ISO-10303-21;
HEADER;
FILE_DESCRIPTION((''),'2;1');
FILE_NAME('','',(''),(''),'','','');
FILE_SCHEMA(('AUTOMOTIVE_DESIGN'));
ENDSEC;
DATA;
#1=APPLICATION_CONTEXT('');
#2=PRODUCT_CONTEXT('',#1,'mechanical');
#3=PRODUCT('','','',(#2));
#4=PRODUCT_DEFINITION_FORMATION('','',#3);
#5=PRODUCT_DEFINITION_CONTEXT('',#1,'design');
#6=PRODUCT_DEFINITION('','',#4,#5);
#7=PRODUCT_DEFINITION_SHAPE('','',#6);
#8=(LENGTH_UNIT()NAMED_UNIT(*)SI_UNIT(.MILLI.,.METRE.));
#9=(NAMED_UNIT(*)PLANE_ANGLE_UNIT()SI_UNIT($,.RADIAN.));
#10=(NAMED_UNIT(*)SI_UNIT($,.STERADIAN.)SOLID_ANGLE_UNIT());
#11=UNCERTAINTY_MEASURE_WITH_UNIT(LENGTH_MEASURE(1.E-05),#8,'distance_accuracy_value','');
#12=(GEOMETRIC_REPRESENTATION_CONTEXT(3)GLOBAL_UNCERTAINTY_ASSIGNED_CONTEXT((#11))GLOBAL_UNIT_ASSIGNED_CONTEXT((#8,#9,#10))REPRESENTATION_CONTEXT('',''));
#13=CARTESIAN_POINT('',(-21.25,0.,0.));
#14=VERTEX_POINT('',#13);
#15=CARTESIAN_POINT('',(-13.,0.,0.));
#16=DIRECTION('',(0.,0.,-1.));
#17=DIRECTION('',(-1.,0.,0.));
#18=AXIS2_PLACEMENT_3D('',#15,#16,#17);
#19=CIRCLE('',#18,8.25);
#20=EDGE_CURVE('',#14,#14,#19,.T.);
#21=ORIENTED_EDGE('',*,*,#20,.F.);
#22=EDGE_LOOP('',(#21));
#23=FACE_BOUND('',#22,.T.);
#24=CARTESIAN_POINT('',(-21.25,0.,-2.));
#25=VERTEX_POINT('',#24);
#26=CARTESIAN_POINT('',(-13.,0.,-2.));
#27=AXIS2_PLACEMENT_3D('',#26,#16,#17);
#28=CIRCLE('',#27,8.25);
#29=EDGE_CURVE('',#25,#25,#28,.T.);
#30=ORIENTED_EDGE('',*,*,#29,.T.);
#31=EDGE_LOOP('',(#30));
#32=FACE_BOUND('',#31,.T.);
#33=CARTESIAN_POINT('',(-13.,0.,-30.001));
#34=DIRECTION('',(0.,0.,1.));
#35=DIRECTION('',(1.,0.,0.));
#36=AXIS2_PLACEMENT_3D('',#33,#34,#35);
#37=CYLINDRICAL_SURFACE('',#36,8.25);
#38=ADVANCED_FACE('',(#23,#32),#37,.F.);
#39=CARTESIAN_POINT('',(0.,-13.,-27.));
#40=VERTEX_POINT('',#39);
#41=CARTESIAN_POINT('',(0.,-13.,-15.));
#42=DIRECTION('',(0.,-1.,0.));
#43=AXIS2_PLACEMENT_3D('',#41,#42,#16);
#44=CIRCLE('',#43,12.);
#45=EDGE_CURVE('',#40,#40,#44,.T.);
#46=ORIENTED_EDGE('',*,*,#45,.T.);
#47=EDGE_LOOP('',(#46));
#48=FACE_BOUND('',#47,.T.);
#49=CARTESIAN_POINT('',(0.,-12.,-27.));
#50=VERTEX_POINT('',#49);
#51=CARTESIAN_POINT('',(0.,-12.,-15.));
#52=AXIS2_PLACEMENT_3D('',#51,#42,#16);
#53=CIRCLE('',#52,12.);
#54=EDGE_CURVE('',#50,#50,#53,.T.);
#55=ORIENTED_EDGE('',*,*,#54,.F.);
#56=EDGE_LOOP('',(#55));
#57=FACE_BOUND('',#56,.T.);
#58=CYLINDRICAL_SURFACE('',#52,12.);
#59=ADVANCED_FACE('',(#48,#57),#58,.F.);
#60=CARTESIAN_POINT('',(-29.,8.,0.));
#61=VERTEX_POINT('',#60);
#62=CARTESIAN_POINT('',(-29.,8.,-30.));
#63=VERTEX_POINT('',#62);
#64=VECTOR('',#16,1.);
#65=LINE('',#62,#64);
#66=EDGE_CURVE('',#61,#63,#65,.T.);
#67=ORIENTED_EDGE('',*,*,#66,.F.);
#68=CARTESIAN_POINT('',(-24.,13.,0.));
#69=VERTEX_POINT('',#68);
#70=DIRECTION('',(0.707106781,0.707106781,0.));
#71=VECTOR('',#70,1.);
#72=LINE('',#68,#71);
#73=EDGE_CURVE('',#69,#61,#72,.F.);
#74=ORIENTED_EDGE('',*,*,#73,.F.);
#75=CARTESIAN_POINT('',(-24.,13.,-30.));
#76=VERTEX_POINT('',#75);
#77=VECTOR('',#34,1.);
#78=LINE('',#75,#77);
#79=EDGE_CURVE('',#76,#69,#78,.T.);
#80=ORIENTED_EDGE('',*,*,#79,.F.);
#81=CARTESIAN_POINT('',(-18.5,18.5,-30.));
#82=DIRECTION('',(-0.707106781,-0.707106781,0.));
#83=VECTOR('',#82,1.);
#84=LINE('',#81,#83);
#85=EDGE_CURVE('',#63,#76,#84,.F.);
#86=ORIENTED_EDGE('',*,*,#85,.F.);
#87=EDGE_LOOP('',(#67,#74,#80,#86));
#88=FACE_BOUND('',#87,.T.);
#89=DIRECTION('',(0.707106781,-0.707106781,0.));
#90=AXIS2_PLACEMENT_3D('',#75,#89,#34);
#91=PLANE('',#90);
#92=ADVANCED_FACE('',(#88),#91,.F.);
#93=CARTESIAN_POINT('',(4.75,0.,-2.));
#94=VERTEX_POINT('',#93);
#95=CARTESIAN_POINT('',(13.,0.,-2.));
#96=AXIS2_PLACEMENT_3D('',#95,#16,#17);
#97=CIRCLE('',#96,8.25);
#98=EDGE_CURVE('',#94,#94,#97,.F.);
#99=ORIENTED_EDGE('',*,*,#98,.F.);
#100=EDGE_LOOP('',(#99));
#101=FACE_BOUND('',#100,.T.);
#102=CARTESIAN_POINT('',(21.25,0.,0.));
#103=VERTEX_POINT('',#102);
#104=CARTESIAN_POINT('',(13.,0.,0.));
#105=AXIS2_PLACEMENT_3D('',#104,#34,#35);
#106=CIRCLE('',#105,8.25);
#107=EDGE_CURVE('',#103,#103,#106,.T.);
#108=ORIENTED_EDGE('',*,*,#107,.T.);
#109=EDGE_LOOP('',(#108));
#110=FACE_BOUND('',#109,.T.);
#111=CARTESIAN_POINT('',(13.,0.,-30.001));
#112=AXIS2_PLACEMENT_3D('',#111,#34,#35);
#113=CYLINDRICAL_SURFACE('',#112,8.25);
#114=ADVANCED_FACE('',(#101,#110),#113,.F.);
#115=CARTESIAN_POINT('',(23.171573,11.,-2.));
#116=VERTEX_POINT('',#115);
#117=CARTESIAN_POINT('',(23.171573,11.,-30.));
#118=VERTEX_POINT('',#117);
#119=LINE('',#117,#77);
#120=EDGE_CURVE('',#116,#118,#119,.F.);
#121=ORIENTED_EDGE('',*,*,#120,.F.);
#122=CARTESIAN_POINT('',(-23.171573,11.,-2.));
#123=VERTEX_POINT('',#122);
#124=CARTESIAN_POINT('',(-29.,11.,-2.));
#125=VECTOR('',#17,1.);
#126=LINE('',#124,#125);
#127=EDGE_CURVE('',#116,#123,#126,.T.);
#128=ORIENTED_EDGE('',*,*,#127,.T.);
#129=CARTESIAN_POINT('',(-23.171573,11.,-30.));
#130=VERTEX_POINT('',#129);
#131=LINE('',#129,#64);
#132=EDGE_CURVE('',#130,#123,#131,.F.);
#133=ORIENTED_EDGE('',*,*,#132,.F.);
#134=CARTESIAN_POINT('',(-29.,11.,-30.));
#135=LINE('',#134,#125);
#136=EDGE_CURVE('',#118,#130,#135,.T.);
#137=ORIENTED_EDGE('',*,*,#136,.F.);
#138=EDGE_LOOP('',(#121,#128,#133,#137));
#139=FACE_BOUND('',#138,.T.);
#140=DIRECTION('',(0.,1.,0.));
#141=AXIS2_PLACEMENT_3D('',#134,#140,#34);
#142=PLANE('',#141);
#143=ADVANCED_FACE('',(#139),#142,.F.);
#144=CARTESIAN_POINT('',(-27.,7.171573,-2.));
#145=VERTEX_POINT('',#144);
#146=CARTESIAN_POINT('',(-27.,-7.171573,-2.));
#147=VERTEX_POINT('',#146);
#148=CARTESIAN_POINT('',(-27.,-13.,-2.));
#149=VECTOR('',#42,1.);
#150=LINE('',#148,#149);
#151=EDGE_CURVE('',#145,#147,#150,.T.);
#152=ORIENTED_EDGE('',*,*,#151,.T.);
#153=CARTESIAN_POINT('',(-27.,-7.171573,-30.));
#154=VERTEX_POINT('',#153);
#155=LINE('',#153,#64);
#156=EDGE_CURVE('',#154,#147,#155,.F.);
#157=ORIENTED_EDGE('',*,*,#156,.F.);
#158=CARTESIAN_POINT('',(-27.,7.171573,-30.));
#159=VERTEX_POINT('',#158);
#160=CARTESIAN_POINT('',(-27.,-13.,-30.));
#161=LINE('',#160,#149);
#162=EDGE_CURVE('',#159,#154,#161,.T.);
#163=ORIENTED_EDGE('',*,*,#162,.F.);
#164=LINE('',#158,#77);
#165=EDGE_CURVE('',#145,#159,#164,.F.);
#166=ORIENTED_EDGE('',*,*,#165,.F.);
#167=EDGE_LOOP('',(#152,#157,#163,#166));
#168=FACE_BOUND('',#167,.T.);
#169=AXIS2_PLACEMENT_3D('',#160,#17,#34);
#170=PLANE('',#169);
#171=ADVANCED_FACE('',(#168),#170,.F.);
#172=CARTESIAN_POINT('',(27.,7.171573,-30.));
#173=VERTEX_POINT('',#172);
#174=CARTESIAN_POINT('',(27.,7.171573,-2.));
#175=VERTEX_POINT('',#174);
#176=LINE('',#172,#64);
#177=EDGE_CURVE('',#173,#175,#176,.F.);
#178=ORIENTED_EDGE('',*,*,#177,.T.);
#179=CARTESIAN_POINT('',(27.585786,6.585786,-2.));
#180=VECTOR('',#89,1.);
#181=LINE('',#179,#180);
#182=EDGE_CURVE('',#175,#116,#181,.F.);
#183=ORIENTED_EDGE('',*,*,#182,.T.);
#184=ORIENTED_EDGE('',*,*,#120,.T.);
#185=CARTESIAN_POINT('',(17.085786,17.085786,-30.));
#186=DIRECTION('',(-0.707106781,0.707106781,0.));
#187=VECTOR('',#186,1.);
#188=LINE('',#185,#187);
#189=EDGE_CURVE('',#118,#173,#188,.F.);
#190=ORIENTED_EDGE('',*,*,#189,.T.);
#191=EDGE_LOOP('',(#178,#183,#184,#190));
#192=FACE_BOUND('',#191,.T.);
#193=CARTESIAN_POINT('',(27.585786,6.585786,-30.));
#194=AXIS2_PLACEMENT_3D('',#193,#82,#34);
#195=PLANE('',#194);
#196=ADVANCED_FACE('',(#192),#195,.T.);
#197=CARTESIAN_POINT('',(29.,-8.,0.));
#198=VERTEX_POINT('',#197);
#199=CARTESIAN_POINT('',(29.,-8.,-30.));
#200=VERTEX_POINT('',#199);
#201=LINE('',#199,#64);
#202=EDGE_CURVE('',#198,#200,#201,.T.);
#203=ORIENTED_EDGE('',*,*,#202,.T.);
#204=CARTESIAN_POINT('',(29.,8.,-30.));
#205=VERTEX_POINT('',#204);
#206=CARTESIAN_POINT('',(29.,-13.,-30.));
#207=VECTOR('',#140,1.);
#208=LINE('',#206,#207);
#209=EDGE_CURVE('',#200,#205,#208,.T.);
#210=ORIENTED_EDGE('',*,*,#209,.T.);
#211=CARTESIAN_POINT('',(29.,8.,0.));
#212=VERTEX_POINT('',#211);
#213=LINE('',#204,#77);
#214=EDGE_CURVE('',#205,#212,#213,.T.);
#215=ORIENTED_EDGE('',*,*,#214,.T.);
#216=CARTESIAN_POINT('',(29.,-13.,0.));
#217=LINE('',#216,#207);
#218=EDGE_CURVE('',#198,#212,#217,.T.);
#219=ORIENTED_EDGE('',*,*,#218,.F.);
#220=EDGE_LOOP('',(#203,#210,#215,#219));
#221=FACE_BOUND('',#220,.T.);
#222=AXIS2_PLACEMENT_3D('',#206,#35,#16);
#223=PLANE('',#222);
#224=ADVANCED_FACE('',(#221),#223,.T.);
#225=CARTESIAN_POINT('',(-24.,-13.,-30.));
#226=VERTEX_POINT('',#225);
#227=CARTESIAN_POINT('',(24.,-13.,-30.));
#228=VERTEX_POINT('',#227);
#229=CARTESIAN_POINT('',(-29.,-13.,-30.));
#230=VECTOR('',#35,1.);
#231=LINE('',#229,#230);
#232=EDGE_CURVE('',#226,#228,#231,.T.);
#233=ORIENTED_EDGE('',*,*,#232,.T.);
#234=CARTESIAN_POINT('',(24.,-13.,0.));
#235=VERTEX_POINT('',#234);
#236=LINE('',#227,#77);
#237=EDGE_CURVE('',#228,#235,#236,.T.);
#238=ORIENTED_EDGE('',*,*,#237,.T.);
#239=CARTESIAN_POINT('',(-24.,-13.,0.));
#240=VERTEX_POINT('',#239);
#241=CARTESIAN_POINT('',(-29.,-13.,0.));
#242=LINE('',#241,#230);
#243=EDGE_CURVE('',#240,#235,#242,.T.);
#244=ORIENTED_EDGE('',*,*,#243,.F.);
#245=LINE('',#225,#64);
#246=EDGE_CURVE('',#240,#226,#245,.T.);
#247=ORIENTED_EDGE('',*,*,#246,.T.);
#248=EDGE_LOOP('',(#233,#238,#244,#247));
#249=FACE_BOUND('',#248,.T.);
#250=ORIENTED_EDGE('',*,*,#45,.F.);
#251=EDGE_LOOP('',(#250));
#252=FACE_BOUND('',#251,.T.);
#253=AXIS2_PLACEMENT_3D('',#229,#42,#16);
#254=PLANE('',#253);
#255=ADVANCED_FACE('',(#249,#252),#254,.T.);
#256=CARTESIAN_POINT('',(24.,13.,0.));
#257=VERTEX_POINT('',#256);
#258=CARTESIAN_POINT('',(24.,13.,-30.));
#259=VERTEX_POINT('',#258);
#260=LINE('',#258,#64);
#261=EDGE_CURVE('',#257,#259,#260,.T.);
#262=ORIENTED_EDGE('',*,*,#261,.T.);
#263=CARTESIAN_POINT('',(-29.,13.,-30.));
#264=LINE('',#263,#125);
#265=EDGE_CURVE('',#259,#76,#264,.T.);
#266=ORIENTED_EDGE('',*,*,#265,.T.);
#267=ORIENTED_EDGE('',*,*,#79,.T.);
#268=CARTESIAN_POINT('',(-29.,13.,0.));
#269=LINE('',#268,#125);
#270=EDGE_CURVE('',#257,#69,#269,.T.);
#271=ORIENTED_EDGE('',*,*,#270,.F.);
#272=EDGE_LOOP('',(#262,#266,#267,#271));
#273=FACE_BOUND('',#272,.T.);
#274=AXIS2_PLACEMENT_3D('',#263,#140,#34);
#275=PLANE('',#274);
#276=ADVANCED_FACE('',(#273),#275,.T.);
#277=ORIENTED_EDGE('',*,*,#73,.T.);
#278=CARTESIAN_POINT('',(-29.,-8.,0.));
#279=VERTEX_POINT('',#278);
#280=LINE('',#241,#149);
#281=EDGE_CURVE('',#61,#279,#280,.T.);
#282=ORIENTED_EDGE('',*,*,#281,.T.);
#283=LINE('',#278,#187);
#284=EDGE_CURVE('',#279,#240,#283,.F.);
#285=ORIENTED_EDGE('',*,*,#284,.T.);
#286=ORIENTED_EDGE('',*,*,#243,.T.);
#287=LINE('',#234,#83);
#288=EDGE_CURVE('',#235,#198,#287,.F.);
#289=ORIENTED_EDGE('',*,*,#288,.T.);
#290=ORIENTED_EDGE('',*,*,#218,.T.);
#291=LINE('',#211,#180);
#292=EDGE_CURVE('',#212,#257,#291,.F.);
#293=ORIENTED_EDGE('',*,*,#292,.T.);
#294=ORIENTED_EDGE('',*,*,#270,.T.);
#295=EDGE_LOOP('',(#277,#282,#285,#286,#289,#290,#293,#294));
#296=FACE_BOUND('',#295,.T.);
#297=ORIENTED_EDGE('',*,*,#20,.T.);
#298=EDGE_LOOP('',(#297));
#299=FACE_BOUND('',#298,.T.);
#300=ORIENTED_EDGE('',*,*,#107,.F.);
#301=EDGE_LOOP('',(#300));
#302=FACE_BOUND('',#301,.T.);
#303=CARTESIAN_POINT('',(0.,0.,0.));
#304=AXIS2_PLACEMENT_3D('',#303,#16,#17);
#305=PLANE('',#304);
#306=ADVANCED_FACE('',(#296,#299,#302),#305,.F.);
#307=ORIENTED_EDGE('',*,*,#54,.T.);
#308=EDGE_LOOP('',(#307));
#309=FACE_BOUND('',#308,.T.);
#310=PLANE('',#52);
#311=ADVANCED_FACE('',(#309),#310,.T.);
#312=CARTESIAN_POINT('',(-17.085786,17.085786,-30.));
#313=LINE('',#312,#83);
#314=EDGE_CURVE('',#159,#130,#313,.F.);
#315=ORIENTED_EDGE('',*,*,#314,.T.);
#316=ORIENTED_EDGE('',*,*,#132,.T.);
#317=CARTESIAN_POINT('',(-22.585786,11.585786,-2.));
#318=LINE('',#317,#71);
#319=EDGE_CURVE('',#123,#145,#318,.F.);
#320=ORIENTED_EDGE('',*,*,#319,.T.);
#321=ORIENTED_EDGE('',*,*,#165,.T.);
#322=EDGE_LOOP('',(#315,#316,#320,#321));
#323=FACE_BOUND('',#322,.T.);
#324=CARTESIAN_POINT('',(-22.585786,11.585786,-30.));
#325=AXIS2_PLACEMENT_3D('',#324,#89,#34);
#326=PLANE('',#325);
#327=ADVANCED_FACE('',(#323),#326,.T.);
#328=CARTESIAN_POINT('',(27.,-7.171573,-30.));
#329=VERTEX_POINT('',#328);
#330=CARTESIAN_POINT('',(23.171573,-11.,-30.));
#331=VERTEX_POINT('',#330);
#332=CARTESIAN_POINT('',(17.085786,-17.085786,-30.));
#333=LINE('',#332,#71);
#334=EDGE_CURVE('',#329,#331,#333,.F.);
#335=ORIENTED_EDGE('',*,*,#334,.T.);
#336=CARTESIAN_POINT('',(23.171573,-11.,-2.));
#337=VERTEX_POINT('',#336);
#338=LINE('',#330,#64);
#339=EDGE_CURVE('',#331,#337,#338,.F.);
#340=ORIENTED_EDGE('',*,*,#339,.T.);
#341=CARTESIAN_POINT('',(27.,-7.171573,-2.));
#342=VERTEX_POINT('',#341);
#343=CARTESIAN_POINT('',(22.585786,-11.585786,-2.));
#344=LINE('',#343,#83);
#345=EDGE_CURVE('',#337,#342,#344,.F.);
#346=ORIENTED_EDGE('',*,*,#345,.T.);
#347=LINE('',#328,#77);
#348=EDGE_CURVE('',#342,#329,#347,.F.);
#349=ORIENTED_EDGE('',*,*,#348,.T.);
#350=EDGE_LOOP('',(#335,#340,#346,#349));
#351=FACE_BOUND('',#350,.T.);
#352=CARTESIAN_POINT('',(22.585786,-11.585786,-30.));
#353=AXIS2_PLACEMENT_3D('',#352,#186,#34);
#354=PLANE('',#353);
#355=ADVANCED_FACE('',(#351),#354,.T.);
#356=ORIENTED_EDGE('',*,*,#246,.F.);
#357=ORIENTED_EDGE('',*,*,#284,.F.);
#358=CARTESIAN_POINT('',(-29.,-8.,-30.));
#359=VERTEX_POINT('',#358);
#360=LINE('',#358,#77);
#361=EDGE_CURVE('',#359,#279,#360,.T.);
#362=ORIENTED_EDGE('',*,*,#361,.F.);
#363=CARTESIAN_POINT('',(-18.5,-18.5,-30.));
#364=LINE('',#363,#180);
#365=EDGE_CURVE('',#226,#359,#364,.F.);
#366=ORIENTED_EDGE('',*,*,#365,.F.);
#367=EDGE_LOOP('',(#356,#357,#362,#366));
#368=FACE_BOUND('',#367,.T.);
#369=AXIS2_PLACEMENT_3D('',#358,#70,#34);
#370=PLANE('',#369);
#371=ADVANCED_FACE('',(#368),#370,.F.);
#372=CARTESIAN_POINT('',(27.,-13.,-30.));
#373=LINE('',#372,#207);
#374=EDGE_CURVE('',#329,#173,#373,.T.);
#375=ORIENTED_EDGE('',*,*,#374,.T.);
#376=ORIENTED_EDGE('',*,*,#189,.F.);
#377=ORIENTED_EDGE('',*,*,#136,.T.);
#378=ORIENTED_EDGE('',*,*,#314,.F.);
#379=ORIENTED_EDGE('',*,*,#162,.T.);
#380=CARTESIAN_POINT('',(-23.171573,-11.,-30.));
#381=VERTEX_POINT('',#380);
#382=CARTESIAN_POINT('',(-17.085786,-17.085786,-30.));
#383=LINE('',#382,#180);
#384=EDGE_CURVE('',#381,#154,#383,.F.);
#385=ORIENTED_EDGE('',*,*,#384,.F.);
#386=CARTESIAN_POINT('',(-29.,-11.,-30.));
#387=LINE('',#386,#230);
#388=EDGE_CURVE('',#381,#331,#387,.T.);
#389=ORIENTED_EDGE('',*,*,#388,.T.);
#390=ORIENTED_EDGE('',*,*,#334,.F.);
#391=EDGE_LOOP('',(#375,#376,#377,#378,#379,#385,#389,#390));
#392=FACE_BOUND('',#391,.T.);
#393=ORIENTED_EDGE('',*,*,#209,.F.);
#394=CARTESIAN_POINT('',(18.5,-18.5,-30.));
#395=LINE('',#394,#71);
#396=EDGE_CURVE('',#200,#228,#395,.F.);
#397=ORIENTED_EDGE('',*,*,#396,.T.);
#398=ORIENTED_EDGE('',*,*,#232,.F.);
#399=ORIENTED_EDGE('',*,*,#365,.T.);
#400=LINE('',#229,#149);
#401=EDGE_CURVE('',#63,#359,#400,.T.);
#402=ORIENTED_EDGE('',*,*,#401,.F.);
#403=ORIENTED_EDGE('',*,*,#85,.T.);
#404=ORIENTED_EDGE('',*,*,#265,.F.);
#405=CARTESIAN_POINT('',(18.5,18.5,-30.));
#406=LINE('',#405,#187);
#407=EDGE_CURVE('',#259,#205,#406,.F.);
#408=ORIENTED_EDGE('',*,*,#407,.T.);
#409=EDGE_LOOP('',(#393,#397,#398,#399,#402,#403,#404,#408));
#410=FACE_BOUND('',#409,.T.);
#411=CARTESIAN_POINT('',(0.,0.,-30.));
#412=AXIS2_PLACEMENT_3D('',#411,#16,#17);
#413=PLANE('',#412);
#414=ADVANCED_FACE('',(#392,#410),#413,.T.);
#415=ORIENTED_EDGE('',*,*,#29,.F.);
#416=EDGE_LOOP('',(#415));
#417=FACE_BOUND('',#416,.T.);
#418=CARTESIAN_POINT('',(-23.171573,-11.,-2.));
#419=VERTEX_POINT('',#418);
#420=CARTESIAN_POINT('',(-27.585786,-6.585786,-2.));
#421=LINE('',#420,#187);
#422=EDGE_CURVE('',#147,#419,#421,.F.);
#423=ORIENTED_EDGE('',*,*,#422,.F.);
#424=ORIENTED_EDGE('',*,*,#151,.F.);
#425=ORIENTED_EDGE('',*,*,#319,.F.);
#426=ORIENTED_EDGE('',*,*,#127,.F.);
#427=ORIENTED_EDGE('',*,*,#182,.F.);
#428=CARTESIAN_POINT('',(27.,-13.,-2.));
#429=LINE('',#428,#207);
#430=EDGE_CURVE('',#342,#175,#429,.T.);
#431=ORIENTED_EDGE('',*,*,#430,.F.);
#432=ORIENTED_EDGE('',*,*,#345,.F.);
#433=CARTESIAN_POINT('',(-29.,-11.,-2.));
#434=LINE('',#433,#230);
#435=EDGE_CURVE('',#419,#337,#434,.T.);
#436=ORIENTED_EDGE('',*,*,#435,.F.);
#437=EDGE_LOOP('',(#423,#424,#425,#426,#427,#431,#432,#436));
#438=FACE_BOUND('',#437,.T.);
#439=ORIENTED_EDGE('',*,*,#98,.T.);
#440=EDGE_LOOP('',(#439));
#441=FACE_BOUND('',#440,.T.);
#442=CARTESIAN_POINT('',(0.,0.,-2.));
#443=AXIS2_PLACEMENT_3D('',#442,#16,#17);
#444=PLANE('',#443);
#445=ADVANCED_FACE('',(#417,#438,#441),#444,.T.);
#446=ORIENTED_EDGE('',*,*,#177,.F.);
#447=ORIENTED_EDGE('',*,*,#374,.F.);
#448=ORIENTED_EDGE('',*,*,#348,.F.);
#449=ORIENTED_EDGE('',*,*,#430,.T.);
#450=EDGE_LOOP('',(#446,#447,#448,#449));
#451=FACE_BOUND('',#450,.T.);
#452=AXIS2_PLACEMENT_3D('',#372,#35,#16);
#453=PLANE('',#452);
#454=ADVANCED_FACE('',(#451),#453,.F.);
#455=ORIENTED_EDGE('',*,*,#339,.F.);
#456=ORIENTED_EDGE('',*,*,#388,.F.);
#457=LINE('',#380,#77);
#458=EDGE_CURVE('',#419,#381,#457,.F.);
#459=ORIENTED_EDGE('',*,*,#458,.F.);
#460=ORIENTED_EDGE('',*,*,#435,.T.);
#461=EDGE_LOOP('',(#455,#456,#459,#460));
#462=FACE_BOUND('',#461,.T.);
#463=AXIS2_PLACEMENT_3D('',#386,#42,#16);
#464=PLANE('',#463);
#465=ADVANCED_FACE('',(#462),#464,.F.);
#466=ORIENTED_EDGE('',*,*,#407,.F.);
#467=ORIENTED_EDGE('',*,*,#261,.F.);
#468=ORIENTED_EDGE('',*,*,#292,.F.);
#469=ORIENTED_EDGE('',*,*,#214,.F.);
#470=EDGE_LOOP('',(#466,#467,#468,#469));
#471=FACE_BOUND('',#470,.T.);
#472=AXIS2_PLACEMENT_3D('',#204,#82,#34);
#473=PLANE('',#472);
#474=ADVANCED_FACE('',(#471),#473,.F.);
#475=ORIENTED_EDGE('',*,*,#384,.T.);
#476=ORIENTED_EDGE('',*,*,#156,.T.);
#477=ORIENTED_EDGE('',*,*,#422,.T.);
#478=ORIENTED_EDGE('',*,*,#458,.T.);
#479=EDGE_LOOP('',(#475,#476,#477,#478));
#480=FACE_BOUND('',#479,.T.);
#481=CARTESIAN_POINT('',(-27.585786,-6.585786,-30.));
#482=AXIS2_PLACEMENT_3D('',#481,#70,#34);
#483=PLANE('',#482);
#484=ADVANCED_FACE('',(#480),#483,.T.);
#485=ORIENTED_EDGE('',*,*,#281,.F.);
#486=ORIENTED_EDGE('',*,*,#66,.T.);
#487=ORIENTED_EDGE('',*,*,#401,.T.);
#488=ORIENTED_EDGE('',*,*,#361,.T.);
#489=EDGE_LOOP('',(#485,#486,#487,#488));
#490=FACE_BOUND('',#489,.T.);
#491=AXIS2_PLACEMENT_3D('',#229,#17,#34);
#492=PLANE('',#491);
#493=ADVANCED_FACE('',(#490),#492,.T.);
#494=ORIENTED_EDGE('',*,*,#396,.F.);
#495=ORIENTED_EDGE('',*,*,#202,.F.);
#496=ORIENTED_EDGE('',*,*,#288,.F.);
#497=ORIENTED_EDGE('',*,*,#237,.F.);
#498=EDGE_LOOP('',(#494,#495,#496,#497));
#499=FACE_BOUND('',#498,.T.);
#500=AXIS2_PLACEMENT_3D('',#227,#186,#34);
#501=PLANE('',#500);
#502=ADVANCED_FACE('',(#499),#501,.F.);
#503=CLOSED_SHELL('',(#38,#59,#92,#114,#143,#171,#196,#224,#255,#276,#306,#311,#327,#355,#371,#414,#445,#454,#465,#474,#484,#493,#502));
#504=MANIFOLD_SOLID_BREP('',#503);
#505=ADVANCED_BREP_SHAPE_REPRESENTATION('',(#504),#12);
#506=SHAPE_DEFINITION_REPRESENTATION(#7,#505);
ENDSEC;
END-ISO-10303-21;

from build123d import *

# Parameters (mm, degrees)
SKETCH1_W          = 58
SKETCH1_H          = 26
SKULL_BLOCK_DEPTH  = 30
SKULL_CHAMFER_SIZE = 5
HOLLOW_SKULL_T     = -2
EYE_HOLE_REACH     = 45.704
SKETCH2_R          = 8.25
SKETCH3_R          = 12
NECK_MOUNT_DEPTH   = 1


with BuildPart() as part:
    # Sketch1 → skull block (new body)
    with BuildSketch(Plane.XY):
        Rectangle(SKETCH1_W, SKETCH1_H)
    extrude(amount=-SKULL_BLOCK_DEPTH)

    # skull chamfer
    skull_chamfer_edges = [part.edges().sort_by_distance(p)[0] for p in [
        (29, -13, -15),
        (-29, -13, -15),
        (-29, 13, -15),
        (29, 13, -15),
    ]]
    chamfer(skull_chamfer_edges, length=SKULL_CHAMFER_SIZE)

    # hollow skull
    hollow_skull_openings = [part.faces().sort_by_distance(p)[0] for p in [
        (0, 0, -30),
    ]]
    offset(amount=HOLLOW_SKULL_T, openings=hollow_skull_openings, kind=Kind.INTERSECTION)

    # Sketch2 → eye hole (cut, up to next)
    with BuildSketch(Plane.XY, mode=Mode.PRIVATE) as eye_hole_sk1:
        with Locations((13, 0)):
            Circle(SKETCH2_R)
    eye_hole_tool1 = extrude(eye_hole_sk1.sketch, amount=-EYE_HOLE_REACH, mode=Mode.PRIVATE) & part.part
    eye_hole = eye_hole_tool1.solids().sort_by_distance((13, 0, 0))[0]
    add(eye_hole, mode=Mode.SUBTRACT)

    # mirror eye hole: eye hole across plane
    add(eye_hole.mirror(Plane(origin=(0, 0, 0), x_dir=(0, 0, 1), z_dir=(1, 0, 0))), mode=Mode.SUBTRACT)

    # Sketch3 → neck mount (cut)
    with BuildSketch(Plane.XZ.offset(13)):
        with Locations(Location((0, -15, 0), (0, 0, 270))):
            Circle(SKETCH3_R)
    extrude(amount=-NECK_MOUNT_DEPTH, mode=Mode.SUBTRACT)


solid = part.part
